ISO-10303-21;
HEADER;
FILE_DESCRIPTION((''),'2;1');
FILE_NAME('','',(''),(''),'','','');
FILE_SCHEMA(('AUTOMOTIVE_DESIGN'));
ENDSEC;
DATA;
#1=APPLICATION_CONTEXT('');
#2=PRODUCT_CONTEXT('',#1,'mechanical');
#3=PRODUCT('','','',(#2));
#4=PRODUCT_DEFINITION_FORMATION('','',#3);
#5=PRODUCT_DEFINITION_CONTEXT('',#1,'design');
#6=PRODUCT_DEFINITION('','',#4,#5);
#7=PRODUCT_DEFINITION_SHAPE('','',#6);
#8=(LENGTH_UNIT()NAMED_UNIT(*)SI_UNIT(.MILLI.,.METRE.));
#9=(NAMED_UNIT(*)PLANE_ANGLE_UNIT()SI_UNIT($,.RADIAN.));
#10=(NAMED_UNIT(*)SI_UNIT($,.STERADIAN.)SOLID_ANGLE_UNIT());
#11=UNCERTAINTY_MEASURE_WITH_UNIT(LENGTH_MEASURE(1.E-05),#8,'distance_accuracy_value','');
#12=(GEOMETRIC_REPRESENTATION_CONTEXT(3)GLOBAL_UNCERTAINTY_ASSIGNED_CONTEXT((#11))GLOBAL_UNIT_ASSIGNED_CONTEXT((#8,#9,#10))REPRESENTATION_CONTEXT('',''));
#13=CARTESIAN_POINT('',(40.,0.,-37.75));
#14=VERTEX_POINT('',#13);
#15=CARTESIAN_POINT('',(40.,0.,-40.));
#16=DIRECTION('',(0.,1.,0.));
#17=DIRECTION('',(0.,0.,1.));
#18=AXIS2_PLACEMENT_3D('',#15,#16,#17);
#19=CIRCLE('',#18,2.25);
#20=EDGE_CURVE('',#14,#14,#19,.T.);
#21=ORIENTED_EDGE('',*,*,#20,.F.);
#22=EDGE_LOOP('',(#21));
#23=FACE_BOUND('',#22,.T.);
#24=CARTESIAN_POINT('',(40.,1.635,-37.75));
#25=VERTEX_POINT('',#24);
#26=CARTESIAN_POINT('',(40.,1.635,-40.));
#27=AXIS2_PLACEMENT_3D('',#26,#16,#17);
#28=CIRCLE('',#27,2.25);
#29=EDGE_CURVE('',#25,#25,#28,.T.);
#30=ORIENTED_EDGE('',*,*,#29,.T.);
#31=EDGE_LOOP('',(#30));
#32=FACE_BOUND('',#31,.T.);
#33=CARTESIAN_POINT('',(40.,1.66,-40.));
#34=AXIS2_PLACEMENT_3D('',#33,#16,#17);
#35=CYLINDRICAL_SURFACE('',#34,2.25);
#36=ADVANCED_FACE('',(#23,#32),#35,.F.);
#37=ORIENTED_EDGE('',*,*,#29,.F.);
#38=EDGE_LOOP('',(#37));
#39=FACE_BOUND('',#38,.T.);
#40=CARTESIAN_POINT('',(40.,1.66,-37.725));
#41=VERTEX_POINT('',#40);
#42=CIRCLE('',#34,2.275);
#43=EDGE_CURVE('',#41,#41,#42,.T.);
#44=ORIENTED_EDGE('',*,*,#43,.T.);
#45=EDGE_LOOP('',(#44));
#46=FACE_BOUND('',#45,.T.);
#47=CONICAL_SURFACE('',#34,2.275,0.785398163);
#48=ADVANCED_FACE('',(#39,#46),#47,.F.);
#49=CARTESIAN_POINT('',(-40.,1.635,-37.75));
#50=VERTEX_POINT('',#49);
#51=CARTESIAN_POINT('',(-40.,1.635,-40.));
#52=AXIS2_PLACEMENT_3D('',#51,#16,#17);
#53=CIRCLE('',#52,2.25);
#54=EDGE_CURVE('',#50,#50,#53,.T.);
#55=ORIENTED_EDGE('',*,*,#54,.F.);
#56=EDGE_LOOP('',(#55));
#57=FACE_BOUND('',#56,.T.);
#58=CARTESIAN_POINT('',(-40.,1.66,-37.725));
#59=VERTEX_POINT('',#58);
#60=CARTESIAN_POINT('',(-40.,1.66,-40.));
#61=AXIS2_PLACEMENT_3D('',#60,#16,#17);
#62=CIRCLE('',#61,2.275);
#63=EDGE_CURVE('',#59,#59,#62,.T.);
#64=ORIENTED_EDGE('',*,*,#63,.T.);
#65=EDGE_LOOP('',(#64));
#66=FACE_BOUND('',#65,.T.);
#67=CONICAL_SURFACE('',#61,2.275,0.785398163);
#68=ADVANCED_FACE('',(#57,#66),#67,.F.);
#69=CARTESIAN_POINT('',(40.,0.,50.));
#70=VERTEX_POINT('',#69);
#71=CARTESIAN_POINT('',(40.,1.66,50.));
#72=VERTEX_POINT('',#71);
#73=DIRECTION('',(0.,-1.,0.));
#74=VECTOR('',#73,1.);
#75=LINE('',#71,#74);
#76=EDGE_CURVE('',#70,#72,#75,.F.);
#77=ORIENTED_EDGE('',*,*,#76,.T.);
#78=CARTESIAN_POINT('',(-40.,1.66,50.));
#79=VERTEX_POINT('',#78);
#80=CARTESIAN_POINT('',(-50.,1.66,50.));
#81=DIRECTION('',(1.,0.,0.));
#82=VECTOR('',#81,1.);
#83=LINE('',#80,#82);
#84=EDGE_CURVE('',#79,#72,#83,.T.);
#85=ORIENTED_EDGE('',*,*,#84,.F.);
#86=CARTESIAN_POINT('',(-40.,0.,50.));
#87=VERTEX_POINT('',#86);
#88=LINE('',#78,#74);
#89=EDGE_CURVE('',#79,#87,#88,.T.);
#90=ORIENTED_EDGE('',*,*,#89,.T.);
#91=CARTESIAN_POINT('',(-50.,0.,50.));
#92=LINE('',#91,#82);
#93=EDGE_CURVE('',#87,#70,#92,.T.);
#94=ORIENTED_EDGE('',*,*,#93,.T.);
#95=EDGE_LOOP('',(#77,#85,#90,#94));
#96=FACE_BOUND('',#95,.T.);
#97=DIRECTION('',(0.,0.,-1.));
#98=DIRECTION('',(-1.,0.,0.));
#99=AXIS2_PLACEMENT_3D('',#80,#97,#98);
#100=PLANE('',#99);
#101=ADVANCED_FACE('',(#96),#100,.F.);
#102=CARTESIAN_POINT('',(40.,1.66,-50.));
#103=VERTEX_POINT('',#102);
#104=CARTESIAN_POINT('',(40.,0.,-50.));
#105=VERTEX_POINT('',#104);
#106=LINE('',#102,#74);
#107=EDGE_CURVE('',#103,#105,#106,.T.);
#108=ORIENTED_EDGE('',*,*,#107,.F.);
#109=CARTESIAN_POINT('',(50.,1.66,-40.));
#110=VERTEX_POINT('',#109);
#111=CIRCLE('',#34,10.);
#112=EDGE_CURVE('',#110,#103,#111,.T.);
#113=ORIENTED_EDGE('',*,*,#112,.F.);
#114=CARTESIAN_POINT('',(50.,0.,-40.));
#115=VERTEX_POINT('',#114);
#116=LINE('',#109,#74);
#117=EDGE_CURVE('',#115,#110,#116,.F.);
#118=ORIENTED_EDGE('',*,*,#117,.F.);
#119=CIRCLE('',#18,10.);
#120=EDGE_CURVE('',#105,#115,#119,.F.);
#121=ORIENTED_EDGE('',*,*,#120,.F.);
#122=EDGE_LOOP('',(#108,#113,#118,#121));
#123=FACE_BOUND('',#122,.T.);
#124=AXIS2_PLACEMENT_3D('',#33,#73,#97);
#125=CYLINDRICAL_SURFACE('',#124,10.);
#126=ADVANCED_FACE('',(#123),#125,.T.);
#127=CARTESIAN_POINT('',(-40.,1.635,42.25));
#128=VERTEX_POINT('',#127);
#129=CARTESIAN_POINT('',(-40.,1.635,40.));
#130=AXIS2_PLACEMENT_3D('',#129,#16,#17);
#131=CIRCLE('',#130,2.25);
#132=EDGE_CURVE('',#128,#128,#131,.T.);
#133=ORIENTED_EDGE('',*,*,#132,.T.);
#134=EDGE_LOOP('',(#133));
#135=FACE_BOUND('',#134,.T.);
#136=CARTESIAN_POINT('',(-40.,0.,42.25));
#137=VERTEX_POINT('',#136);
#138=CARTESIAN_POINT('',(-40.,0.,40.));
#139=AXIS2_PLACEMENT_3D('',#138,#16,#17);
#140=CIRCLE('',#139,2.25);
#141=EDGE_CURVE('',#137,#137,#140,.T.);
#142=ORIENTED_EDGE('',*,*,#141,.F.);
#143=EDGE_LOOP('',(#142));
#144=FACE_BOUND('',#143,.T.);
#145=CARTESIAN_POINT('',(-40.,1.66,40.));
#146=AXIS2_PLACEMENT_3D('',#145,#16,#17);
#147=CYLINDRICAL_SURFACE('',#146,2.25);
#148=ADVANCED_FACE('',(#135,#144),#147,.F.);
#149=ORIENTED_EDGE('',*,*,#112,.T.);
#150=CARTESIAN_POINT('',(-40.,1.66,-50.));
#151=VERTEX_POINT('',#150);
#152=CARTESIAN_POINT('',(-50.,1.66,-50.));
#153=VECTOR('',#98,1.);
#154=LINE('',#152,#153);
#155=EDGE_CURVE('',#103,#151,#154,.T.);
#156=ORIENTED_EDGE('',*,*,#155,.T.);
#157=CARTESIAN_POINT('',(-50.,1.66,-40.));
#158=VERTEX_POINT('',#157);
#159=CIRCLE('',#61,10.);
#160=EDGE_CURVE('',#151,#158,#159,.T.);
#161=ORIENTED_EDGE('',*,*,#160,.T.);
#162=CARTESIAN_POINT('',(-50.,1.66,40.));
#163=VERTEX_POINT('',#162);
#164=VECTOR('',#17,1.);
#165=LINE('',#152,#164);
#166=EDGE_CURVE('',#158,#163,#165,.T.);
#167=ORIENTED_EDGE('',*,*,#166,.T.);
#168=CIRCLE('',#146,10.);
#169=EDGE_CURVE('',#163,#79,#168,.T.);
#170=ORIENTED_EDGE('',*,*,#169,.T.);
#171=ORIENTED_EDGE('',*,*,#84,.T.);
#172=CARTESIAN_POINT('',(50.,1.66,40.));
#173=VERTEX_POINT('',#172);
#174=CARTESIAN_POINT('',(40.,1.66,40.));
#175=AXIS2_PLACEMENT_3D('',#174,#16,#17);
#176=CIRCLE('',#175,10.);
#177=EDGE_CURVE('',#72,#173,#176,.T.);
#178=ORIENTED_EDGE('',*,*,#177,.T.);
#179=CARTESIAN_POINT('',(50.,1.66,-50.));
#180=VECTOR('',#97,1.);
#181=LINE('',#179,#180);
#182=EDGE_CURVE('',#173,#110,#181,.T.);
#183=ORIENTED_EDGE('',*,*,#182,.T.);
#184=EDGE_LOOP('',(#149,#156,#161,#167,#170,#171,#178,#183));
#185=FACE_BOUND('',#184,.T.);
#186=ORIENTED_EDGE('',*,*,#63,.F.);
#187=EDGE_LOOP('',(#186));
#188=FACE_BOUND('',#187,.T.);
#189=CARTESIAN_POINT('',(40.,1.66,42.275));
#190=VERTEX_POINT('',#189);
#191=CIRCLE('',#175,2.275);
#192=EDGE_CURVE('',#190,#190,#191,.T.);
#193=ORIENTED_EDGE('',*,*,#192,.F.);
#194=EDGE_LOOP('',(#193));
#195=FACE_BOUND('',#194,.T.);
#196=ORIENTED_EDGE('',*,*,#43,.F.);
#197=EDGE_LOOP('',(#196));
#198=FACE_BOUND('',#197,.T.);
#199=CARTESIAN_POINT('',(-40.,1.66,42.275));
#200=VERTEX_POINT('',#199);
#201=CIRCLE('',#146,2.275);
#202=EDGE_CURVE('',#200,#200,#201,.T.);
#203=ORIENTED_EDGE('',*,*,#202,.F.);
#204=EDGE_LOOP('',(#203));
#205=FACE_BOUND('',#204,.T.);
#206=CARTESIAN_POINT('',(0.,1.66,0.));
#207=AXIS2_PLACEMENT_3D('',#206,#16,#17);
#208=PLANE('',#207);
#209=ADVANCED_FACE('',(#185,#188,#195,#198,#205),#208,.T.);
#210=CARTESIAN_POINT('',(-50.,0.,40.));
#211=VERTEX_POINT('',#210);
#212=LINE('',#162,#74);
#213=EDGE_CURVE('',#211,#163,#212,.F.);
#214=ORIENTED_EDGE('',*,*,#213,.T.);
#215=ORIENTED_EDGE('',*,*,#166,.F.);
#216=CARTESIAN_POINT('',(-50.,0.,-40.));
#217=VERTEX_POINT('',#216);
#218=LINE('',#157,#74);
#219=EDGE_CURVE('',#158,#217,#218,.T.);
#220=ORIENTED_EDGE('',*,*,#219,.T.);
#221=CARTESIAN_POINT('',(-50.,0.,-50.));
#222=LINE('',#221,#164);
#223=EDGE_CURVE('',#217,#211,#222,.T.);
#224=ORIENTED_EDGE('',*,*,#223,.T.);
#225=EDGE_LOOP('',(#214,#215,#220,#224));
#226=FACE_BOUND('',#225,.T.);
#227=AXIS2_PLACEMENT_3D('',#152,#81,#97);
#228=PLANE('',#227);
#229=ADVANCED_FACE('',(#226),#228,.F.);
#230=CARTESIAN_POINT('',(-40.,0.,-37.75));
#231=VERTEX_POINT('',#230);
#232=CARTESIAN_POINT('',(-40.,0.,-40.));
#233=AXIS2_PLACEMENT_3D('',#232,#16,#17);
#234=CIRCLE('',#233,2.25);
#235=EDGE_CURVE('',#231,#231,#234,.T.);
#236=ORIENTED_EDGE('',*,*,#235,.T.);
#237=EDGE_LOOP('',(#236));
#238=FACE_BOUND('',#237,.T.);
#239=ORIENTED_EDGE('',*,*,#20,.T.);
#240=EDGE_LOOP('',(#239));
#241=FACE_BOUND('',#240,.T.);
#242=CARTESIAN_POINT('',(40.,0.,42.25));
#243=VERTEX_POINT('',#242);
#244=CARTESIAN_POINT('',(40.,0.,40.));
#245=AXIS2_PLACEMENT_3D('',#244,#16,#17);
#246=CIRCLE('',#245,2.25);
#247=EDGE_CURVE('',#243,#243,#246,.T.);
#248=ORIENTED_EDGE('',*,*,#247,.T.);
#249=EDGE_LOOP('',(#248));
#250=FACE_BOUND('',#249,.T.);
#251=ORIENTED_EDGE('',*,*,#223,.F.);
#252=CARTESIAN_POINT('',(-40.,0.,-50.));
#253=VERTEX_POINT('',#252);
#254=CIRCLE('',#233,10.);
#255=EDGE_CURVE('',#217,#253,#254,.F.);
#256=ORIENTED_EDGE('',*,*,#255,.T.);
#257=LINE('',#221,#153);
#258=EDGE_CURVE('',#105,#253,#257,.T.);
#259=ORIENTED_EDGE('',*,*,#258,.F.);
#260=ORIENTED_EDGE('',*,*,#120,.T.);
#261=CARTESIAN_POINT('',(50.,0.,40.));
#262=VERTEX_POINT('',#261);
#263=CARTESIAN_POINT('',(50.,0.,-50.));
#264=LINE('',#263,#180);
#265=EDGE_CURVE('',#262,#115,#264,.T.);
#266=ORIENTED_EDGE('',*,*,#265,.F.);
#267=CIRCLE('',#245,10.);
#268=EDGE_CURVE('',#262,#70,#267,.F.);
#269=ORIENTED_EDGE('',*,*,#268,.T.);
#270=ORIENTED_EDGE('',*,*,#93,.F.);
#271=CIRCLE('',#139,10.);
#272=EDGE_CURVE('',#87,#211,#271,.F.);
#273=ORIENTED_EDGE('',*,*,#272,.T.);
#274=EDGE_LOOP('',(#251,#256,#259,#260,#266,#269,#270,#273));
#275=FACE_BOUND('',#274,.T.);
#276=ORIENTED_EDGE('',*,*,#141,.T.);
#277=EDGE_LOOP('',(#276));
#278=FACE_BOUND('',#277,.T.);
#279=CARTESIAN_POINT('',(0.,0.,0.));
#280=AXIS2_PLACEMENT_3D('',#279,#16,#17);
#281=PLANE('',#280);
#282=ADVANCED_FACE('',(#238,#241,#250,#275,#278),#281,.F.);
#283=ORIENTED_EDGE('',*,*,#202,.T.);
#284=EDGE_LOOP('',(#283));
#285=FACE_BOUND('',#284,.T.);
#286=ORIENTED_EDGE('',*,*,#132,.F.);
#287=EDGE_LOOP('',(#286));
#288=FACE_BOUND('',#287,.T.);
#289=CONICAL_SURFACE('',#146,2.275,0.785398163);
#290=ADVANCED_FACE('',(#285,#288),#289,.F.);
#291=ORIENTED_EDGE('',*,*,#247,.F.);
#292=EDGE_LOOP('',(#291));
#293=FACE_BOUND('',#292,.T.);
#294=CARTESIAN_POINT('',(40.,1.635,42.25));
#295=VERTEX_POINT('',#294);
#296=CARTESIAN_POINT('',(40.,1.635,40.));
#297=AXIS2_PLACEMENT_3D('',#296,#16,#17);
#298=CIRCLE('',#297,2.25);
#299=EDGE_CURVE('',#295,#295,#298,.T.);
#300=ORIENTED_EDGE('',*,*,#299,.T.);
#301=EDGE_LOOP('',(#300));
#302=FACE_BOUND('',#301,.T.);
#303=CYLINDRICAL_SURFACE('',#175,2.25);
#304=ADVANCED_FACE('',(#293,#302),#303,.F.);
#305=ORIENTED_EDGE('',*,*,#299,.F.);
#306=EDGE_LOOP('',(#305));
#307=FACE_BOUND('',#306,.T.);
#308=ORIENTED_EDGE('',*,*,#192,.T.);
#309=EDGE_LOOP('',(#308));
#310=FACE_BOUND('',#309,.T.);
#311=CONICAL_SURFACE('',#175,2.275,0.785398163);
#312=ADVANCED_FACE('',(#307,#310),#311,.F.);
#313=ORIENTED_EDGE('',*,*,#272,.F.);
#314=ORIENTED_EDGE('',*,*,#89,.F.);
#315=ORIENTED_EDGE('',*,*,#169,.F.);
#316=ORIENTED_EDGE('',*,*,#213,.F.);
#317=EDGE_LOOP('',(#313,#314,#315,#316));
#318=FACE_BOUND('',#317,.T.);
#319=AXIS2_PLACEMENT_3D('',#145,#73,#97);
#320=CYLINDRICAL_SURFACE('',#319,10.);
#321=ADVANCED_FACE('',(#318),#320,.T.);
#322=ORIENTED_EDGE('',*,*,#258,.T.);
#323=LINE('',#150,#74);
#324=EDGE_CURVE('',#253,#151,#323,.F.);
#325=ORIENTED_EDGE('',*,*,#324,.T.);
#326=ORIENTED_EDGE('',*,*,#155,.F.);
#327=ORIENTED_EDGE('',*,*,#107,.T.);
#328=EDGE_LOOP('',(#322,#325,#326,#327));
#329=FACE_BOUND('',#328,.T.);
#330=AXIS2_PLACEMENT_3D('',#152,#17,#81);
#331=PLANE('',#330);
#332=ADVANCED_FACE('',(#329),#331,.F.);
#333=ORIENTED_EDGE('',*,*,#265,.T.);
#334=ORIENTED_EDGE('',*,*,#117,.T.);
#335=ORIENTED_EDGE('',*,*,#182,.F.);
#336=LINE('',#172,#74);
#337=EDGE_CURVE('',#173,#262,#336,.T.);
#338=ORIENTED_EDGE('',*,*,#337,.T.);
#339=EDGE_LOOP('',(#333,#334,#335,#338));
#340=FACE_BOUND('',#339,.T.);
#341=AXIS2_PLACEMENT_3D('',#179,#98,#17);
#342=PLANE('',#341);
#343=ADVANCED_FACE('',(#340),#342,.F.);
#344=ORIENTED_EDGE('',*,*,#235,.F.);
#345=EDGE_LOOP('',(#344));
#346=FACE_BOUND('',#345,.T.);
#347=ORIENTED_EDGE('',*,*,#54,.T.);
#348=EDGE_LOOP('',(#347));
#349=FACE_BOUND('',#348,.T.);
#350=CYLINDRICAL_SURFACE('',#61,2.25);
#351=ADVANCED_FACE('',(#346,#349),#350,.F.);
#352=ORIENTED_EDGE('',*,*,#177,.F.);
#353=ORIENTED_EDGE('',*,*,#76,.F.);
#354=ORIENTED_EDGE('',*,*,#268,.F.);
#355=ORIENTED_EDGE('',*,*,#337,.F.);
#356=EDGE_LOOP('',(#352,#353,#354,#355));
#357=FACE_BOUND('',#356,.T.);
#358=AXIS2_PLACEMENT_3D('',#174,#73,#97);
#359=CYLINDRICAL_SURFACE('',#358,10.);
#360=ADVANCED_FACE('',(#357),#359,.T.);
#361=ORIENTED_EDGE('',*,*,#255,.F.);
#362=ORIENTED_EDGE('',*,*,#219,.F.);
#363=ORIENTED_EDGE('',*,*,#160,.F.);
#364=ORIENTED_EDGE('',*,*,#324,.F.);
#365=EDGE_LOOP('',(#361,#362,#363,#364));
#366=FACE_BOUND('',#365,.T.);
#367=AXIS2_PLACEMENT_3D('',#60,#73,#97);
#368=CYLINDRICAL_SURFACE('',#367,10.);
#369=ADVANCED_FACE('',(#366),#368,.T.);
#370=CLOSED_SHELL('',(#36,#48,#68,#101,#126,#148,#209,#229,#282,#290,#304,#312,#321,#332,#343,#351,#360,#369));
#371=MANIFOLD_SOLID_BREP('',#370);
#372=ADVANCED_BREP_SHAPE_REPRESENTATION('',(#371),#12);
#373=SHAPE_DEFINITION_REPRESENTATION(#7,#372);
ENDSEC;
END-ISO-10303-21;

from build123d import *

# Parameters (mm, degrees)
SKETCH1_W                      = 100
SKETCH1_H                      = 100
BOSS_EXTRUDE1_DEPTH            = 1.66
FILLET1_R                      = 10
M4_CLEARANCE_HOLE1_D           = 4.5
M4_CLEARANCE_HOLE1_DEPTH       = 22.648063607
M4_CLEARANCE_HOLE1_CSINK_D     = 4.55
M4_CLEARANCE_HOLE1_CSINK_ANGLE = 90
M4_CLEARANCE_HOLE1_TIP         = 1.351936393


with BuildPart() as part:
    # Sketch1 → Boss-Extrude1 (new body)
    with BuildSketch(Plane(origin=(0, 0, 0), x_dir=(1, 0, 0), z_dir=(0, 1, 0))):
        Rectangle(SKETCH1_W, SKETCH1_H)
    extrude(amount=BOSS_EXTRUDE1_DEPTH)

    # Fillet1
    fillet1_edges = [part.edges().sort_by_distance(p)[0] for p in [
        (50, 0.83, 50),
        (-50, 0.83, 50),
        (-50, 0.83, -50),
        (50, 0.83, -50),
    ]]
    fillet(fillet1_edges, radius=FILLET1_R)

    # M4 Clearance Hole1
    with Locations(Plane(origin=(0, 1.66, 0), x_dir=(1, 0, 0), z_dir=(0, 1, 0))):
        with Locations((-40, 40), (-40, -40), (40, -40), (40, 40)):
            CounterSinkHole(M4_CLEARANCE_HOLE1_D / 2, M4_CLEARANCE_HOLE1_CSINK_D / 2, depth=M4_CLEARANCE_HOLE1_DEPTH, counter_sink_angle=M4_CLEARANCE_HOLE1_CSINK_ANGLE)
            with Locations((0, 0, -(M4_CLEARANCE_HOLE1_DEPTH + M4_CLEARANCE_HOLE1_TIP / 2))):  # 118° drill point
                Cone(0, M4_CLEARANCE_HOLE1_D / 2, M4_CLEARANCE_HOLE1_TIP, mode=Mode.SUBTRACT)


solid = part.part
